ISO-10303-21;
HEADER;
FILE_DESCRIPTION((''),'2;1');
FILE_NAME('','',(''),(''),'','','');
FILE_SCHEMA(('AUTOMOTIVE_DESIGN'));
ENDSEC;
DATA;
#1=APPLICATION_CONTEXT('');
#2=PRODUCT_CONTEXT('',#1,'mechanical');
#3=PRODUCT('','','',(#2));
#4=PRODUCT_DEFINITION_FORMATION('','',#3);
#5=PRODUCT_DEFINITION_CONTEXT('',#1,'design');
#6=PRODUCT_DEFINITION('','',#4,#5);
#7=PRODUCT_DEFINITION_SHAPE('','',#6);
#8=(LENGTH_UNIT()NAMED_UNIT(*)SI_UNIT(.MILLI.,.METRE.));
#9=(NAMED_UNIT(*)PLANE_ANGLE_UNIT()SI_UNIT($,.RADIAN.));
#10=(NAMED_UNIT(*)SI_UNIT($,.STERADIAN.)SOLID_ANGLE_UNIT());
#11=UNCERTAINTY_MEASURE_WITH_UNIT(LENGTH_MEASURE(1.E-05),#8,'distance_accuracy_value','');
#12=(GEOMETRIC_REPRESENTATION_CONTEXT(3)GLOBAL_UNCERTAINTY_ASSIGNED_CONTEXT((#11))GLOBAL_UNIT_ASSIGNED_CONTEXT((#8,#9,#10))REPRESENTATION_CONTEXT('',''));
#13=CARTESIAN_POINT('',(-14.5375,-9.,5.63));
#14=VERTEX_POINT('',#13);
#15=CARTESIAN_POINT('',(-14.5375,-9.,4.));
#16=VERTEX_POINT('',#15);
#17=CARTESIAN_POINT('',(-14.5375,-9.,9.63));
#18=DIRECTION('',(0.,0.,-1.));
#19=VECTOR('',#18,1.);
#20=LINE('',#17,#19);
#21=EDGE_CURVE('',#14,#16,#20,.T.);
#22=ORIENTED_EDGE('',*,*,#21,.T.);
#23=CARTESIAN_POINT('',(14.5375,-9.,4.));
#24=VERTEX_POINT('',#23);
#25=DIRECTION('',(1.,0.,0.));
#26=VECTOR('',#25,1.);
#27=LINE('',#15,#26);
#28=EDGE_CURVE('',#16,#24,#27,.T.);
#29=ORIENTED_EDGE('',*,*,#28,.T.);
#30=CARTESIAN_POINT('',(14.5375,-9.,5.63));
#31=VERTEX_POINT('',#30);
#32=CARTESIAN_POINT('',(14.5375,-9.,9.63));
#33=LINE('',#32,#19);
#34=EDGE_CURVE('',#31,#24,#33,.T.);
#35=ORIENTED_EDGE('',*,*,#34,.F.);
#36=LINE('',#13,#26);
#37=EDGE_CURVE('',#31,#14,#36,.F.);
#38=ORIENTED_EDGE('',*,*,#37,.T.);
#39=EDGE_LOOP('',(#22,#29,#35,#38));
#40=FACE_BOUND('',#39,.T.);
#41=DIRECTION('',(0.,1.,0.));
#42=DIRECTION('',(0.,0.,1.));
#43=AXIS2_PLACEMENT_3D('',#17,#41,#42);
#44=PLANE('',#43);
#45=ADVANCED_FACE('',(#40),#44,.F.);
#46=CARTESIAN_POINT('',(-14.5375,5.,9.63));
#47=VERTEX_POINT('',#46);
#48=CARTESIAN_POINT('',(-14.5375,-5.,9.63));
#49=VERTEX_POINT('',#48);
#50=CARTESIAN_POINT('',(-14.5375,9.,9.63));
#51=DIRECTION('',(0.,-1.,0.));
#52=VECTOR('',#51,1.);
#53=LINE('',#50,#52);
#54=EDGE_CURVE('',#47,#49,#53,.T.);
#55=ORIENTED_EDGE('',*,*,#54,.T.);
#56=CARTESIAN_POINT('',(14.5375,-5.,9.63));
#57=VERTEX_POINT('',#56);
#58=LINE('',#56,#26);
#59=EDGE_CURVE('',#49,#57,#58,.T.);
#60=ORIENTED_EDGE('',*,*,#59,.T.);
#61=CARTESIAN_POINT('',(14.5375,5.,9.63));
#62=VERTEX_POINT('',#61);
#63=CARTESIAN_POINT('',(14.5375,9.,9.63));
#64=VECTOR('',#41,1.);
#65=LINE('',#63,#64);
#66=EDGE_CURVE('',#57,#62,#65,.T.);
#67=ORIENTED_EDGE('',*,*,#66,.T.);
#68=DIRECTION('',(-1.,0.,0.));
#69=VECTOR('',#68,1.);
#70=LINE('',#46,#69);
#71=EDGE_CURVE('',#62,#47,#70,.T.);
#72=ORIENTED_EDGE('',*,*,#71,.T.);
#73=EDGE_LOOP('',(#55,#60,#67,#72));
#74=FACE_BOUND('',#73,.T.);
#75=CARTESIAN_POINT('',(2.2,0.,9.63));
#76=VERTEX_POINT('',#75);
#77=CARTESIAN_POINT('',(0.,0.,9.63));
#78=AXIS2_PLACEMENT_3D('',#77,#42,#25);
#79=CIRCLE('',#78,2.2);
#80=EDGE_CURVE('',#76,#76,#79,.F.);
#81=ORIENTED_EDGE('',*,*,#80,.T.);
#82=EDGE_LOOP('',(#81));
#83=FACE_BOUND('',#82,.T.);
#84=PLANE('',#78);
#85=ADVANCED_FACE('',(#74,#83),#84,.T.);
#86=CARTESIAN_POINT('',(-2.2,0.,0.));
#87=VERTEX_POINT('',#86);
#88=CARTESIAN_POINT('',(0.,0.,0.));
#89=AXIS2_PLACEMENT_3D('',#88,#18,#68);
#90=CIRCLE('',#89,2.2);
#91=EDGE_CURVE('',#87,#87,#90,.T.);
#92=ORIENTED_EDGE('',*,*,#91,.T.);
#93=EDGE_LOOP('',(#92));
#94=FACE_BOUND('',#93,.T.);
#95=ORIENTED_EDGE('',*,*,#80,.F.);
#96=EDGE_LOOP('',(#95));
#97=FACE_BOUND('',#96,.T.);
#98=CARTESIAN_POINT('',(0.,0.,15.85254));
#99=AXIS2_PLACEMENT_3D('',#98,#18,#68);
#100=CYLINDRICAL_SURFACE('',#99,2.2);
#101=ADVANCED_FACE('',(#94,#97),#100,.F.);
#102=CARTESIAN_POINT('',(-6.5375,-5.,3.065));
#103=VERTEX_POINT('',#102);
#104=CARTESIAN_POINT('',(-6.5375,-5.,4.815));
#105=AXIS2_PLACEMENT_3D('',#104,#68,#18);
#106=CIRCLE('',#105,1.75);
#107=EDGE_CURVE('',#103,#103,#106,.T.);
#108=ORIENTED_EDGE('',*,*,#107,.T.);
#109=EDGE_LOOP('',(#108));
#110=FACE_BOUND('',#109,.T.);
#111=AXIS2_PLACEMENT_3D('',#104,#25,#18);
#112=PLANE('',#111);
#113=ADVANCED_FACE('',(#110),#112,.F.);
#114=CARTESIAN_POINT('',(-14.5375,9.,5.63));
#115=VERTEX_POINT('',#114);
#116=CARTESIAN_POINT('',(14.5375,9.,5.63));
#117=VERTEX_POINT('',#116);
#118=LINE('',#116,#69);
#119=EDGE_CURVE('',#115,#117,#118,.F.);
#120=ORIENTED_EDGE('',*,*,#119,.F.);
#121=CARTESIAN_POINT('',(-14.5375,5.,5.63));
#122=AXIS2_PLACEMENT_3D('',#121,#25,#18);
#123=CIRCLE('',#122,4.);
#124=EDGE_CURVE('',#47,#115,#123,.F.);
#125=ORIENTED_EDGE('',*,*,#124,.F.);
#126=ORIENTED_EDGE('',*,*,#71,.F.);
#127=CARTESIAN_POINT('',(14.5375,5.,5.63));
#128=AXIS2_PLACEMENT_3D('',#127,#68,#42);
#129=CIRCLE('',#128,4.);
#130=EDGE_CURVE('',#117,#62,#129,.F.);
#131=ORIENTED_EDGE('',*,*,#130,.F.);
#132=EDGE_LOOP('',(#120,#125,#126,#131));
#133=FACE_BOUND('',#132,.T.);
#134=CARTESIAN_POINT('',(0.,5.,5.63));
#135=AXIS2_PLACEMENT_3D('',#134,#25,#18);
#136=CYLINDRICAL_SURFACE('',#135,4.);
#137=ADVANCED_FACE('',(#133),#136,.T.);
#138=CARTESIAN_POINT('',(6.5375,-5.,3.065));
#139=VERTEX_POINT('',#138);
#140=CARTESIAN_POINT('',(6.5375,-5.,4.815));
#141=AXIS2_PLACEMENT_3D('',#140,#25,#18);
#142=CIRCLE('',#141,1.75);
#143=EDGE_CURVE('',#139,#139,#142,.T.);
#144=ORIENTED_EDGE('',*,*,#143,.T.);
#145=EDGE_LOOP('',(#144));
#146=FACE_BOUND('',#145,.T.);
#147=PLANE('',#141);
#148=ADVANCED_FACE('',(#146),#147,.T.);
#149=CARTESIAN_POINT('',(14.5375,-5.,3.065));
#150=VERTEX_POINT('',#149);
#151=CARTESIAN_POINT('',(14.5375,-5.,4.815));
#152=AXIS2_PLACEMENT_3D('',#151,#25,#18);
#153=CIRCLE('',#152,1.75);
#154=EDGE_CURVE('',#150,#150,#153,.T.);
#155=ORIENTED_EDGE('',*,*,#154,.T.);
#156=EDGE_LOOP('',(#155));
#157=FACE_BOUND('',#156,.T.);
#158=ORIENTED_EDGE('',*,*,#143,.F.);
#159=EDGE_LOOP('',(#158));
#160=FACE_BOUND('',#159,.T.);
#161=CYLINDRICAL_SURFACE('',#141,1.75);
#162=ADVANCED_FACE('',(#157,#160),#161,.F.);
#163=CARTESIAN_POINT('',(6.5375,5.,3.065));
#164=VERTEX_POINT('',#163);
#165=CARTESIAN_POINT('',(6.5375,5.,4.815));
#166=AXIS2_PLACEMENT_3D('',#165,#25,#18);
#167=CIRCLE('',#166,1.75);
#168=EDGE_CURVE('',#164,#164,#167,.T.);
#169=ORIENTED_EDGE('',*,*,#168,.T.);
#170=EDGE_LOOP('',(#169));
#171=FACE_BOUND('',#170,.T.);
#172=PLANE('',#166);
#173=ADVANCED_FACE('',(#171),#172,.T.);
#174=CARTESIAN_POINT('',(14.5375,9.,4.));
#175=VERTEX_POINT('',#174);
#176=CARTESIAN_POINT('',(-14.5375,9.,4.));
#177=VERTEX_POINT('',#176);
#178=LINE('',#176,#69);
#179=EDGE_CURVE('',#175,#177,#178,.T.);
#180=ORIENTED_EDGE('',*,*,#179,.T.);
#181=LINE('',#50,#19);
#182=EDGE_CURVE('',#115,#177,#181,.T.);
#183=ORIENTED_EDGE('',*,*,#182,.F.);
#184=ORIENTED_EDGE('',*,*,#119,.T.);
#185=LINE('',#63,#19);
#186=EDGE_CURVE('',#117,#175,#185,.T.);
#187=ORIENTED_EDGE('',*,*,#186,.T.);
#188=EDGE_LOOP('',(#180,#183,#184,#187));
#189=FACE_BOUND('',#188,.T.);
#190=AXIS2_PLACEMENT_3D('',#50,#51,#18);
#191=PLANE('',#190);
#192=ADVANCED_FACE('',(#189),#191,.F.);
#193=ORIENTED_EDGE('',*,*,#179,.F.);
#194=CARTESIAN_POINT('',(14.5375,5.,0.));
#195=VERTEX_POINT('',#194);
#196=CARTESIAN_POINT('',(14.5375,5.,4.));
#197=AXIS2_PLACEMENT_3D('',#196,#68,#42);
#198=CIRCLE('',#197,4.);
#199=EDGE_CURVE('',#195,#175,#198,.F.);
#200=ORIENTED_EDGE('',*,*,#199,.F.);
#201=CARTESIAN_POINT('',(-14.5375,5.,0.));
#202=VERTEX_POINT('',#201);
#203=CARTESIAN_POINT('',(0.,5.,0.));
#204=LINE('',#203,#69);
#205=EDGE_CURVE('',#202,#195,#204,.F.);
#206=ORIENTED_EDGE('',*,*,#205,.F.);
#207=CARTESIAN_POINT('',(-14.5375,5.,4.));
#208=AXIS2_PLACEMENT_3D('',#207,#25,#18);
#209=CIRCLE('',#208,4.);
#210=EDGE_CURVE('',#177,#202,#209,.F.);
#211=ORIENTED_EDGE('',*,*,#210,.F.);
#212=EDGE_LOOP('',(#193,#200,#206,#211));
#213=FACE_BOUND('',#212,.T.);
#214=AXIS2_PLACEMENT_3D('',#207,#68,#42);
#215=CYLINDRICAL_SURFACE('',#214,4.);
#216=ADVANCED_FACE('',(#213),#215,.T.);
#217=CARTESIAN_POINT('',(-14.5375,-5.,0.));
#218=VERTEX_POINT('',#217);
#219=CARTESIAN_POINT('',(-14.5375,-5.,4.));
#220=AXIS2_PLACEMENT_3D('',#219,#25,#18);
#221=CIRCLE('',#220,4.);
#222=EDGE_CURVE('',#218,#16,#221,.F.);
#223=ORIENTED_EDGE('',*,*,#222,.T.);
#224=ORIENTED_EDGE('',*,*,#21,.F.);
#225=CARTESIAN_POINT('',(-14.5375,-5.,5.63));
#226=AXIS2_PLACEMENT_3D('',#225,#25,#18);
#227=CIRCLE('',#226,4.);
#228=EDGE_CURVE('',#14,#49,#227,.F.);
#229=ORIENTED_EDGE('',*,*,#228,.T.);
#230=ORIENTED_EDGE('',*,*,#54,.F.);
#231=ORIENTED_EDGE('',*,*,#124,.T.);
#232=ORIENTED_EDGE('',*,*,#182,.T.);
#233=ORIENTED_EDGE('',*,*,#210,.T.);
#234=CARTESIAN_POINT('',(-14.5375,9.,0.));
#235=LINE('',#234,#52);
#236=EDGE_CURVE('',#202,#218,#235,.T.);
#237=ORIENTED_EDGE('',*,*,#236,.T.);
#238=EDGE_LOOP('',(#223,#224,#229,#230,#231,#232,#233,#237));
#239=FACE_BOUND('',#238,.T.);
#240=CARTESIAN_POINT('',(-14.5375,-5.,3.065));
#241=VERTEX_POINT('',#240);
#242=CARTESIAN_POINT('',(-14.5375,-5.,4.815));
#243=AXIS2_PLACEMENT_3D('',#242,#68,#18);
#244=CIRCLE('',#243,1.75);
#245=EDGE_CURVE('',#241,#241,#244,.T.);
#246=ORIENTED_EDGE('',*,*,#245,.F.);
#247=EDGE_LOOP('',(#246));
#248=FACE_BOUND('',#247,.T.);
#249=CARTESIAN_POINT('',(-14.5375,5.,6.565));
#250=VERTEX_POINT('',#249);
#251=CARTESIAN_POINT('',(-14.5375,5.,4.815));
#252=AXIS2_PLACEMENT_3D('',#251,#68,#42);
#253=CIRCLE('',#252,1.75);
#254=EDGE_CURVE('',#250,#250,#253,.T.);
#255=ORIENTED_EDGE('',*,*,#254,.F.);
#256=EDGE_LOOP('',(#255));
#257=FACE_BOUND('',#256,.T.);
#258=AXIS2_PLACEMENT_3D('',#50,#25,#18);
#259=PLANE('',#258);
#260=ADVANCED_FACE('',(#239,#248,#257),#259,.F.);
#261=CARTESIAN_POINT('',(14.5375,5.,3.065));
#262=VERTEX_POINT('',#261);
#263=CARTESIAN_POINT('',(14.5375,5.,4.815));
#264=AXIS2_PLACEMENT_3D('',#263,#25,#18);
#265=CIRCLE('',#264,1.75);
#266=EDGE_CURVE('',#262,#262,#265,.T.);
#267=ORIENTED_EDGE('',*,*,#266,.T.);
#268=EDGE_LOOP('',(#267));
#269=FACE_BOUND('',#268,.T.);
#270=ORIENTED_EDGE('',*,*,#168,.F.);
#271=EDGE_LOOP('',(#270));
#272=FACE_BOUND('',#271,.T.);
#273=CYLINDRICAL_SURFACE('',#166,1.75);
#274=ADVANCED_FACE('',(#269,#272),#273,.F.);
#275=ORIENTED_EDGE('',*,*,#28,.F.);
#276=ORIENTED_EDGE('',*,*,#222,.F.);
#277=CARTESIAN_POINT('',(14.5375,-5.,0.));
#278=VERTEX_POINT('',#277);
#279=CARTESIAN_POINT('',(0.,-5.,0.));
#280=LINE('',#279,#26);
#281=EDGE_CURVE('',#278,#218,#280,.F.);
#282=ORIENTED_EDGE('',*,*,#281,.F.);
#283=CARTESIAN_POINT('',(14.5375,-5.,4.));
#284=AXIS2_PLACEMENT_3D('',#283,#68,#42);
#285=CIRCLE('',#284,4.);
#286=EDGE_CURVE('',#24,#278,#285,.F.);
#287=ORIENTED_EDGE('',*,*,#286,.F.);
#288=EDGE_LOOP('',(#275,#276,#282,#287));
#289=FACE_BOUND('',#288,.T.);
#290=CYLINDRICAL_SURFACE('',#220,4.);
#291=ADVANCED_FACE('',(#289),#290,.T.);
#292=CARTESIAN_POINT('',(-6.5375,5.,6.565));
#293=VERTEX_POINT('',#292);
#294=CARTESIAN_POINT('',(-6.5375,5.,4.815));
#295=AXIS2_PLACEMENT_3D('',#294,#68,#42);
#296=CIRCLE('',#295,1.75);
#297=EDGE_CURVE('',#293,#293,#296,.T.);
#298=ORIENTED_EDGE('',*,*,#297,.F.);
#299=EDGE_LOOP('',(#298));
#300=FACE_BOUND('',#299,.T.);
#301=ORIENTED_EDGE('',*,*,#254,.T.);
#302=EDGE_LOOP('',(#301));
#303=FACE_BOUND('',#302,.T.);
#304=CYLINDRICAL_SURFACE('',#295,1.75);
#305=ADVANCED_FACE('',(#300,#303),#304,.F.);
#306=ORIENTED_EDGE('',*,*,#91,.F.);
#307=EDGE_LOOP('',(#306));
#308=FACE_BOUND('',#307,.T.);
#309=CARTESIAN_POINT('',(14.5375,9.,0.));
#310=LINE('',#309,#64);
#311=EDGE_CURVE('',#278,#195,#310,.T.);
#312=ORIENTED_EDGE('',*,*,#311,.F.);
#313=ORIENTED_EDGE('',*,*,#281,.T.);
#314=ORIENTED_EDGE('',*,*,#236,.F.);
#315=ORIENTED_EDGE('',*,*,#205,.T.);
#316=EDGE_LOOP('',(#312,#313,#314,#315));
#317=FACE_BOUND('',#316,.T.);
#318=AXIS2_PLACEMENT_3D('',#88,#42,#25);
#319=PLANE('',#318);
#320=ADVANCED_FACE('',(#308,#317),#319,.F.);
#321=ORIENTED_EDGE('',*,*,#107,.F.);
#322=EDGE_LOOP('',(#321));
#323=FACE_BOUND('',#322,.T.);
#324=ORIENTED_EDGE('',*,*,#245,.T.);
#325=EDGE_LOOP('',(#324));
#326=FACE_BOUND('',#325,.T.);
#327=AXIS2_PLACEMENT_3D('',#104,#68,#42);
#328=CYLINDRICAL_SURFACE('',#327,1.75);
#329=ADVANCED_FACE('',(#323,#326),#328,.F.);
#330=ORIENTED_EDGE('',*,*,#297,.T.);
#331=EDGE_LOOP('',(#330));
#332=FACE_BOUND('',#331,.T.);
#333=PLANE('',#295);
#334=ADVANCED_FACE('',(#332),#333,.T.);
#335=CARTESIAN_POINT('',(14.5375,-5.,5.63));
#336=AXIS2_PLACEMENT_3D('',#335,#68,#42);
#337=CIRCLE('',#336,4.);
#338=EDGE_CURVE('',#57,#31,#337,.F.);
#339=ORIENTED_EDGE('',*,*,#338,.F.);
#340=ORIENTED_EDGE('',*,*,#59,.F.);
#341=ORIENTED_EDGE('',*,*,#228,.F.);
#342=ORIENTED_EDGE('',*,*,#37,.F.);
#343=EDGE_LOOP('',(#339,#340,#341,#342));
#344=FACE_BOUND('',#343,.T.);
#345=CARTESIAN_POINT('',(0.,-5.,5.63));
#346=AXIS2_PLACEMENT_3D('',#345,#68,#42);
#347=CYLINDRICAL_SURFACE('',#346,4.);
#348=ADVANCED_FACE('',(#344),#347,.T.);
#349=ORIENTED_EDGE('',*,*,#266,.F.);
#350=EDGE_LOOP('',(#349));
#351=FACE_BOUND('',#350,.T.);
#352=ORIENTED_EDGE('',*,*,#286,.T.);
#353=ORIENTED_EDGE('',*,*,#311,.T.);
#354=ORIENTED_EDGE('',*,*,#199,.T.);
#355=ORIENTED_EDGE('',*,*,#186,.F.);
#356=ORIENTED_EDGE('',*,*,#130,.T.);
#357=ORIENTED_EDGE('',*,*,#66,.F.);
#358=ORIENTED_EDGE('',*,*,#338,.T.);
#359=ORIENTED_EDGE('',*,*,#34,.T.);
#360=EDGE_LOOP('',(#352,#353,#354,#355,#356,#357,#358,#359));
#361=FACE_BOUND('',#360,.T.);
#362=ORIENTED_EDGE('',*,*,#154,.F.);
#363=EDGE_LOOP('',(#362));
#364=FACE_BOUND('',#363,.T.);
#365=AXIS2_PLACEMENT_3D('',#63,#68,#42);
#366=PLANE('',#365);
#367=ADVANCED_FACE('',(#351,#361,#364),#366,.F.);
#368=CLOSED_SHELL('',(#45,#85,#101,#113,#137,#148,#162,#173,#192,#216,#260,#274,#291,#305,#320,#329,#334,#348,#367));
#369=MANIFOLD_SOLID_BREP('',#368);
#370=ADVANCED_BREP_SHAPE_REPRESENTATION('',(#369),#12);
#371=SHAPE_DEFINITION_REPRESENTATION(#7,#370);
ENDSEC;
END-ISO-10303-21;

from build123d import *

# Parameters (mm, degrees)
SKETCH1_W         = 29.075
SKETCH1_H         = 18
EXTRUDE_3_8_DEPTH = 9.63
SKETCH2_R         = 1.75
M4_DRILL_DEPTH    = 8
M4_DRILL2_START   = -8
SKETCH3_R         = 1.75
M4_DRILL2_DEPTH   = 8
SKETCH5_R         = 2.2
M5_DRILL_DEPTH    = 9.63
FILLET1_R         = 4


with BuildPart() as part:
    # Sketch1 → 3/8 (new body)
    with BuildSketch(Plane.XY):
        Rectangle(SKETCH1_W, SKETCH1_H)
    extrude(amount=EXTRUDE_3_8_DEPTH)

    # Sketch2 → M4_DRILL (cut)
    with BuildSketch(Plane.ZY.offset(14.5375)):
        with Locations((4.815, 5)):
            Circle(SKETCH2_R)
        with Locations(Location((4.815, -5, 0), (0, 0, 180))):
            Circle(SKETCH2_R)
    extrude(amount=-M4_DRILL_DEPTH, mode=Mode.SUBTRACT)

    # Sketch3 → M4_DRILL2 (cut)
    with BuildSketch(Plane(origin=(14.5375, 0, 0), x_dir=(0, 0, -1), z_dir=(1, 0, 0)).offset(M4_DRILL2_START)):
        with Locations((-4.815, -5)):
            Circle(SKETCH3_R)
        with Locations(Location((-4.815, 5, 0), (0, 0, 180))):
            Circle(SKETCH3_R)
    extrude(amount=M4_DRILL2_DEPTH, mode=Mode.SUBTRACT)

    # Sketch5 → M5_DRILL (cut)
    with BuildSketch(Plane(origin=(0, 0, 0), x_dir=(-1, 0, 0), z_dir=(0, 0, -1))):
        Circle(SKETCH5_R)
    extrude(amount=-M5_DRILL_DEPTH, mode=Mode.SUBTRACT)

    # Fillet1
    fillet1_edges = [part.edges().sort_by_distance(p)[0] for p in [
        (0, -9, 9.63),
        (0, -9, 0),
        (0, 9, 0),
        (0, 9, 9.63),
    ]]
    fillet(fillet1_edges, radius=FILLET1_R)


solid = part.part
